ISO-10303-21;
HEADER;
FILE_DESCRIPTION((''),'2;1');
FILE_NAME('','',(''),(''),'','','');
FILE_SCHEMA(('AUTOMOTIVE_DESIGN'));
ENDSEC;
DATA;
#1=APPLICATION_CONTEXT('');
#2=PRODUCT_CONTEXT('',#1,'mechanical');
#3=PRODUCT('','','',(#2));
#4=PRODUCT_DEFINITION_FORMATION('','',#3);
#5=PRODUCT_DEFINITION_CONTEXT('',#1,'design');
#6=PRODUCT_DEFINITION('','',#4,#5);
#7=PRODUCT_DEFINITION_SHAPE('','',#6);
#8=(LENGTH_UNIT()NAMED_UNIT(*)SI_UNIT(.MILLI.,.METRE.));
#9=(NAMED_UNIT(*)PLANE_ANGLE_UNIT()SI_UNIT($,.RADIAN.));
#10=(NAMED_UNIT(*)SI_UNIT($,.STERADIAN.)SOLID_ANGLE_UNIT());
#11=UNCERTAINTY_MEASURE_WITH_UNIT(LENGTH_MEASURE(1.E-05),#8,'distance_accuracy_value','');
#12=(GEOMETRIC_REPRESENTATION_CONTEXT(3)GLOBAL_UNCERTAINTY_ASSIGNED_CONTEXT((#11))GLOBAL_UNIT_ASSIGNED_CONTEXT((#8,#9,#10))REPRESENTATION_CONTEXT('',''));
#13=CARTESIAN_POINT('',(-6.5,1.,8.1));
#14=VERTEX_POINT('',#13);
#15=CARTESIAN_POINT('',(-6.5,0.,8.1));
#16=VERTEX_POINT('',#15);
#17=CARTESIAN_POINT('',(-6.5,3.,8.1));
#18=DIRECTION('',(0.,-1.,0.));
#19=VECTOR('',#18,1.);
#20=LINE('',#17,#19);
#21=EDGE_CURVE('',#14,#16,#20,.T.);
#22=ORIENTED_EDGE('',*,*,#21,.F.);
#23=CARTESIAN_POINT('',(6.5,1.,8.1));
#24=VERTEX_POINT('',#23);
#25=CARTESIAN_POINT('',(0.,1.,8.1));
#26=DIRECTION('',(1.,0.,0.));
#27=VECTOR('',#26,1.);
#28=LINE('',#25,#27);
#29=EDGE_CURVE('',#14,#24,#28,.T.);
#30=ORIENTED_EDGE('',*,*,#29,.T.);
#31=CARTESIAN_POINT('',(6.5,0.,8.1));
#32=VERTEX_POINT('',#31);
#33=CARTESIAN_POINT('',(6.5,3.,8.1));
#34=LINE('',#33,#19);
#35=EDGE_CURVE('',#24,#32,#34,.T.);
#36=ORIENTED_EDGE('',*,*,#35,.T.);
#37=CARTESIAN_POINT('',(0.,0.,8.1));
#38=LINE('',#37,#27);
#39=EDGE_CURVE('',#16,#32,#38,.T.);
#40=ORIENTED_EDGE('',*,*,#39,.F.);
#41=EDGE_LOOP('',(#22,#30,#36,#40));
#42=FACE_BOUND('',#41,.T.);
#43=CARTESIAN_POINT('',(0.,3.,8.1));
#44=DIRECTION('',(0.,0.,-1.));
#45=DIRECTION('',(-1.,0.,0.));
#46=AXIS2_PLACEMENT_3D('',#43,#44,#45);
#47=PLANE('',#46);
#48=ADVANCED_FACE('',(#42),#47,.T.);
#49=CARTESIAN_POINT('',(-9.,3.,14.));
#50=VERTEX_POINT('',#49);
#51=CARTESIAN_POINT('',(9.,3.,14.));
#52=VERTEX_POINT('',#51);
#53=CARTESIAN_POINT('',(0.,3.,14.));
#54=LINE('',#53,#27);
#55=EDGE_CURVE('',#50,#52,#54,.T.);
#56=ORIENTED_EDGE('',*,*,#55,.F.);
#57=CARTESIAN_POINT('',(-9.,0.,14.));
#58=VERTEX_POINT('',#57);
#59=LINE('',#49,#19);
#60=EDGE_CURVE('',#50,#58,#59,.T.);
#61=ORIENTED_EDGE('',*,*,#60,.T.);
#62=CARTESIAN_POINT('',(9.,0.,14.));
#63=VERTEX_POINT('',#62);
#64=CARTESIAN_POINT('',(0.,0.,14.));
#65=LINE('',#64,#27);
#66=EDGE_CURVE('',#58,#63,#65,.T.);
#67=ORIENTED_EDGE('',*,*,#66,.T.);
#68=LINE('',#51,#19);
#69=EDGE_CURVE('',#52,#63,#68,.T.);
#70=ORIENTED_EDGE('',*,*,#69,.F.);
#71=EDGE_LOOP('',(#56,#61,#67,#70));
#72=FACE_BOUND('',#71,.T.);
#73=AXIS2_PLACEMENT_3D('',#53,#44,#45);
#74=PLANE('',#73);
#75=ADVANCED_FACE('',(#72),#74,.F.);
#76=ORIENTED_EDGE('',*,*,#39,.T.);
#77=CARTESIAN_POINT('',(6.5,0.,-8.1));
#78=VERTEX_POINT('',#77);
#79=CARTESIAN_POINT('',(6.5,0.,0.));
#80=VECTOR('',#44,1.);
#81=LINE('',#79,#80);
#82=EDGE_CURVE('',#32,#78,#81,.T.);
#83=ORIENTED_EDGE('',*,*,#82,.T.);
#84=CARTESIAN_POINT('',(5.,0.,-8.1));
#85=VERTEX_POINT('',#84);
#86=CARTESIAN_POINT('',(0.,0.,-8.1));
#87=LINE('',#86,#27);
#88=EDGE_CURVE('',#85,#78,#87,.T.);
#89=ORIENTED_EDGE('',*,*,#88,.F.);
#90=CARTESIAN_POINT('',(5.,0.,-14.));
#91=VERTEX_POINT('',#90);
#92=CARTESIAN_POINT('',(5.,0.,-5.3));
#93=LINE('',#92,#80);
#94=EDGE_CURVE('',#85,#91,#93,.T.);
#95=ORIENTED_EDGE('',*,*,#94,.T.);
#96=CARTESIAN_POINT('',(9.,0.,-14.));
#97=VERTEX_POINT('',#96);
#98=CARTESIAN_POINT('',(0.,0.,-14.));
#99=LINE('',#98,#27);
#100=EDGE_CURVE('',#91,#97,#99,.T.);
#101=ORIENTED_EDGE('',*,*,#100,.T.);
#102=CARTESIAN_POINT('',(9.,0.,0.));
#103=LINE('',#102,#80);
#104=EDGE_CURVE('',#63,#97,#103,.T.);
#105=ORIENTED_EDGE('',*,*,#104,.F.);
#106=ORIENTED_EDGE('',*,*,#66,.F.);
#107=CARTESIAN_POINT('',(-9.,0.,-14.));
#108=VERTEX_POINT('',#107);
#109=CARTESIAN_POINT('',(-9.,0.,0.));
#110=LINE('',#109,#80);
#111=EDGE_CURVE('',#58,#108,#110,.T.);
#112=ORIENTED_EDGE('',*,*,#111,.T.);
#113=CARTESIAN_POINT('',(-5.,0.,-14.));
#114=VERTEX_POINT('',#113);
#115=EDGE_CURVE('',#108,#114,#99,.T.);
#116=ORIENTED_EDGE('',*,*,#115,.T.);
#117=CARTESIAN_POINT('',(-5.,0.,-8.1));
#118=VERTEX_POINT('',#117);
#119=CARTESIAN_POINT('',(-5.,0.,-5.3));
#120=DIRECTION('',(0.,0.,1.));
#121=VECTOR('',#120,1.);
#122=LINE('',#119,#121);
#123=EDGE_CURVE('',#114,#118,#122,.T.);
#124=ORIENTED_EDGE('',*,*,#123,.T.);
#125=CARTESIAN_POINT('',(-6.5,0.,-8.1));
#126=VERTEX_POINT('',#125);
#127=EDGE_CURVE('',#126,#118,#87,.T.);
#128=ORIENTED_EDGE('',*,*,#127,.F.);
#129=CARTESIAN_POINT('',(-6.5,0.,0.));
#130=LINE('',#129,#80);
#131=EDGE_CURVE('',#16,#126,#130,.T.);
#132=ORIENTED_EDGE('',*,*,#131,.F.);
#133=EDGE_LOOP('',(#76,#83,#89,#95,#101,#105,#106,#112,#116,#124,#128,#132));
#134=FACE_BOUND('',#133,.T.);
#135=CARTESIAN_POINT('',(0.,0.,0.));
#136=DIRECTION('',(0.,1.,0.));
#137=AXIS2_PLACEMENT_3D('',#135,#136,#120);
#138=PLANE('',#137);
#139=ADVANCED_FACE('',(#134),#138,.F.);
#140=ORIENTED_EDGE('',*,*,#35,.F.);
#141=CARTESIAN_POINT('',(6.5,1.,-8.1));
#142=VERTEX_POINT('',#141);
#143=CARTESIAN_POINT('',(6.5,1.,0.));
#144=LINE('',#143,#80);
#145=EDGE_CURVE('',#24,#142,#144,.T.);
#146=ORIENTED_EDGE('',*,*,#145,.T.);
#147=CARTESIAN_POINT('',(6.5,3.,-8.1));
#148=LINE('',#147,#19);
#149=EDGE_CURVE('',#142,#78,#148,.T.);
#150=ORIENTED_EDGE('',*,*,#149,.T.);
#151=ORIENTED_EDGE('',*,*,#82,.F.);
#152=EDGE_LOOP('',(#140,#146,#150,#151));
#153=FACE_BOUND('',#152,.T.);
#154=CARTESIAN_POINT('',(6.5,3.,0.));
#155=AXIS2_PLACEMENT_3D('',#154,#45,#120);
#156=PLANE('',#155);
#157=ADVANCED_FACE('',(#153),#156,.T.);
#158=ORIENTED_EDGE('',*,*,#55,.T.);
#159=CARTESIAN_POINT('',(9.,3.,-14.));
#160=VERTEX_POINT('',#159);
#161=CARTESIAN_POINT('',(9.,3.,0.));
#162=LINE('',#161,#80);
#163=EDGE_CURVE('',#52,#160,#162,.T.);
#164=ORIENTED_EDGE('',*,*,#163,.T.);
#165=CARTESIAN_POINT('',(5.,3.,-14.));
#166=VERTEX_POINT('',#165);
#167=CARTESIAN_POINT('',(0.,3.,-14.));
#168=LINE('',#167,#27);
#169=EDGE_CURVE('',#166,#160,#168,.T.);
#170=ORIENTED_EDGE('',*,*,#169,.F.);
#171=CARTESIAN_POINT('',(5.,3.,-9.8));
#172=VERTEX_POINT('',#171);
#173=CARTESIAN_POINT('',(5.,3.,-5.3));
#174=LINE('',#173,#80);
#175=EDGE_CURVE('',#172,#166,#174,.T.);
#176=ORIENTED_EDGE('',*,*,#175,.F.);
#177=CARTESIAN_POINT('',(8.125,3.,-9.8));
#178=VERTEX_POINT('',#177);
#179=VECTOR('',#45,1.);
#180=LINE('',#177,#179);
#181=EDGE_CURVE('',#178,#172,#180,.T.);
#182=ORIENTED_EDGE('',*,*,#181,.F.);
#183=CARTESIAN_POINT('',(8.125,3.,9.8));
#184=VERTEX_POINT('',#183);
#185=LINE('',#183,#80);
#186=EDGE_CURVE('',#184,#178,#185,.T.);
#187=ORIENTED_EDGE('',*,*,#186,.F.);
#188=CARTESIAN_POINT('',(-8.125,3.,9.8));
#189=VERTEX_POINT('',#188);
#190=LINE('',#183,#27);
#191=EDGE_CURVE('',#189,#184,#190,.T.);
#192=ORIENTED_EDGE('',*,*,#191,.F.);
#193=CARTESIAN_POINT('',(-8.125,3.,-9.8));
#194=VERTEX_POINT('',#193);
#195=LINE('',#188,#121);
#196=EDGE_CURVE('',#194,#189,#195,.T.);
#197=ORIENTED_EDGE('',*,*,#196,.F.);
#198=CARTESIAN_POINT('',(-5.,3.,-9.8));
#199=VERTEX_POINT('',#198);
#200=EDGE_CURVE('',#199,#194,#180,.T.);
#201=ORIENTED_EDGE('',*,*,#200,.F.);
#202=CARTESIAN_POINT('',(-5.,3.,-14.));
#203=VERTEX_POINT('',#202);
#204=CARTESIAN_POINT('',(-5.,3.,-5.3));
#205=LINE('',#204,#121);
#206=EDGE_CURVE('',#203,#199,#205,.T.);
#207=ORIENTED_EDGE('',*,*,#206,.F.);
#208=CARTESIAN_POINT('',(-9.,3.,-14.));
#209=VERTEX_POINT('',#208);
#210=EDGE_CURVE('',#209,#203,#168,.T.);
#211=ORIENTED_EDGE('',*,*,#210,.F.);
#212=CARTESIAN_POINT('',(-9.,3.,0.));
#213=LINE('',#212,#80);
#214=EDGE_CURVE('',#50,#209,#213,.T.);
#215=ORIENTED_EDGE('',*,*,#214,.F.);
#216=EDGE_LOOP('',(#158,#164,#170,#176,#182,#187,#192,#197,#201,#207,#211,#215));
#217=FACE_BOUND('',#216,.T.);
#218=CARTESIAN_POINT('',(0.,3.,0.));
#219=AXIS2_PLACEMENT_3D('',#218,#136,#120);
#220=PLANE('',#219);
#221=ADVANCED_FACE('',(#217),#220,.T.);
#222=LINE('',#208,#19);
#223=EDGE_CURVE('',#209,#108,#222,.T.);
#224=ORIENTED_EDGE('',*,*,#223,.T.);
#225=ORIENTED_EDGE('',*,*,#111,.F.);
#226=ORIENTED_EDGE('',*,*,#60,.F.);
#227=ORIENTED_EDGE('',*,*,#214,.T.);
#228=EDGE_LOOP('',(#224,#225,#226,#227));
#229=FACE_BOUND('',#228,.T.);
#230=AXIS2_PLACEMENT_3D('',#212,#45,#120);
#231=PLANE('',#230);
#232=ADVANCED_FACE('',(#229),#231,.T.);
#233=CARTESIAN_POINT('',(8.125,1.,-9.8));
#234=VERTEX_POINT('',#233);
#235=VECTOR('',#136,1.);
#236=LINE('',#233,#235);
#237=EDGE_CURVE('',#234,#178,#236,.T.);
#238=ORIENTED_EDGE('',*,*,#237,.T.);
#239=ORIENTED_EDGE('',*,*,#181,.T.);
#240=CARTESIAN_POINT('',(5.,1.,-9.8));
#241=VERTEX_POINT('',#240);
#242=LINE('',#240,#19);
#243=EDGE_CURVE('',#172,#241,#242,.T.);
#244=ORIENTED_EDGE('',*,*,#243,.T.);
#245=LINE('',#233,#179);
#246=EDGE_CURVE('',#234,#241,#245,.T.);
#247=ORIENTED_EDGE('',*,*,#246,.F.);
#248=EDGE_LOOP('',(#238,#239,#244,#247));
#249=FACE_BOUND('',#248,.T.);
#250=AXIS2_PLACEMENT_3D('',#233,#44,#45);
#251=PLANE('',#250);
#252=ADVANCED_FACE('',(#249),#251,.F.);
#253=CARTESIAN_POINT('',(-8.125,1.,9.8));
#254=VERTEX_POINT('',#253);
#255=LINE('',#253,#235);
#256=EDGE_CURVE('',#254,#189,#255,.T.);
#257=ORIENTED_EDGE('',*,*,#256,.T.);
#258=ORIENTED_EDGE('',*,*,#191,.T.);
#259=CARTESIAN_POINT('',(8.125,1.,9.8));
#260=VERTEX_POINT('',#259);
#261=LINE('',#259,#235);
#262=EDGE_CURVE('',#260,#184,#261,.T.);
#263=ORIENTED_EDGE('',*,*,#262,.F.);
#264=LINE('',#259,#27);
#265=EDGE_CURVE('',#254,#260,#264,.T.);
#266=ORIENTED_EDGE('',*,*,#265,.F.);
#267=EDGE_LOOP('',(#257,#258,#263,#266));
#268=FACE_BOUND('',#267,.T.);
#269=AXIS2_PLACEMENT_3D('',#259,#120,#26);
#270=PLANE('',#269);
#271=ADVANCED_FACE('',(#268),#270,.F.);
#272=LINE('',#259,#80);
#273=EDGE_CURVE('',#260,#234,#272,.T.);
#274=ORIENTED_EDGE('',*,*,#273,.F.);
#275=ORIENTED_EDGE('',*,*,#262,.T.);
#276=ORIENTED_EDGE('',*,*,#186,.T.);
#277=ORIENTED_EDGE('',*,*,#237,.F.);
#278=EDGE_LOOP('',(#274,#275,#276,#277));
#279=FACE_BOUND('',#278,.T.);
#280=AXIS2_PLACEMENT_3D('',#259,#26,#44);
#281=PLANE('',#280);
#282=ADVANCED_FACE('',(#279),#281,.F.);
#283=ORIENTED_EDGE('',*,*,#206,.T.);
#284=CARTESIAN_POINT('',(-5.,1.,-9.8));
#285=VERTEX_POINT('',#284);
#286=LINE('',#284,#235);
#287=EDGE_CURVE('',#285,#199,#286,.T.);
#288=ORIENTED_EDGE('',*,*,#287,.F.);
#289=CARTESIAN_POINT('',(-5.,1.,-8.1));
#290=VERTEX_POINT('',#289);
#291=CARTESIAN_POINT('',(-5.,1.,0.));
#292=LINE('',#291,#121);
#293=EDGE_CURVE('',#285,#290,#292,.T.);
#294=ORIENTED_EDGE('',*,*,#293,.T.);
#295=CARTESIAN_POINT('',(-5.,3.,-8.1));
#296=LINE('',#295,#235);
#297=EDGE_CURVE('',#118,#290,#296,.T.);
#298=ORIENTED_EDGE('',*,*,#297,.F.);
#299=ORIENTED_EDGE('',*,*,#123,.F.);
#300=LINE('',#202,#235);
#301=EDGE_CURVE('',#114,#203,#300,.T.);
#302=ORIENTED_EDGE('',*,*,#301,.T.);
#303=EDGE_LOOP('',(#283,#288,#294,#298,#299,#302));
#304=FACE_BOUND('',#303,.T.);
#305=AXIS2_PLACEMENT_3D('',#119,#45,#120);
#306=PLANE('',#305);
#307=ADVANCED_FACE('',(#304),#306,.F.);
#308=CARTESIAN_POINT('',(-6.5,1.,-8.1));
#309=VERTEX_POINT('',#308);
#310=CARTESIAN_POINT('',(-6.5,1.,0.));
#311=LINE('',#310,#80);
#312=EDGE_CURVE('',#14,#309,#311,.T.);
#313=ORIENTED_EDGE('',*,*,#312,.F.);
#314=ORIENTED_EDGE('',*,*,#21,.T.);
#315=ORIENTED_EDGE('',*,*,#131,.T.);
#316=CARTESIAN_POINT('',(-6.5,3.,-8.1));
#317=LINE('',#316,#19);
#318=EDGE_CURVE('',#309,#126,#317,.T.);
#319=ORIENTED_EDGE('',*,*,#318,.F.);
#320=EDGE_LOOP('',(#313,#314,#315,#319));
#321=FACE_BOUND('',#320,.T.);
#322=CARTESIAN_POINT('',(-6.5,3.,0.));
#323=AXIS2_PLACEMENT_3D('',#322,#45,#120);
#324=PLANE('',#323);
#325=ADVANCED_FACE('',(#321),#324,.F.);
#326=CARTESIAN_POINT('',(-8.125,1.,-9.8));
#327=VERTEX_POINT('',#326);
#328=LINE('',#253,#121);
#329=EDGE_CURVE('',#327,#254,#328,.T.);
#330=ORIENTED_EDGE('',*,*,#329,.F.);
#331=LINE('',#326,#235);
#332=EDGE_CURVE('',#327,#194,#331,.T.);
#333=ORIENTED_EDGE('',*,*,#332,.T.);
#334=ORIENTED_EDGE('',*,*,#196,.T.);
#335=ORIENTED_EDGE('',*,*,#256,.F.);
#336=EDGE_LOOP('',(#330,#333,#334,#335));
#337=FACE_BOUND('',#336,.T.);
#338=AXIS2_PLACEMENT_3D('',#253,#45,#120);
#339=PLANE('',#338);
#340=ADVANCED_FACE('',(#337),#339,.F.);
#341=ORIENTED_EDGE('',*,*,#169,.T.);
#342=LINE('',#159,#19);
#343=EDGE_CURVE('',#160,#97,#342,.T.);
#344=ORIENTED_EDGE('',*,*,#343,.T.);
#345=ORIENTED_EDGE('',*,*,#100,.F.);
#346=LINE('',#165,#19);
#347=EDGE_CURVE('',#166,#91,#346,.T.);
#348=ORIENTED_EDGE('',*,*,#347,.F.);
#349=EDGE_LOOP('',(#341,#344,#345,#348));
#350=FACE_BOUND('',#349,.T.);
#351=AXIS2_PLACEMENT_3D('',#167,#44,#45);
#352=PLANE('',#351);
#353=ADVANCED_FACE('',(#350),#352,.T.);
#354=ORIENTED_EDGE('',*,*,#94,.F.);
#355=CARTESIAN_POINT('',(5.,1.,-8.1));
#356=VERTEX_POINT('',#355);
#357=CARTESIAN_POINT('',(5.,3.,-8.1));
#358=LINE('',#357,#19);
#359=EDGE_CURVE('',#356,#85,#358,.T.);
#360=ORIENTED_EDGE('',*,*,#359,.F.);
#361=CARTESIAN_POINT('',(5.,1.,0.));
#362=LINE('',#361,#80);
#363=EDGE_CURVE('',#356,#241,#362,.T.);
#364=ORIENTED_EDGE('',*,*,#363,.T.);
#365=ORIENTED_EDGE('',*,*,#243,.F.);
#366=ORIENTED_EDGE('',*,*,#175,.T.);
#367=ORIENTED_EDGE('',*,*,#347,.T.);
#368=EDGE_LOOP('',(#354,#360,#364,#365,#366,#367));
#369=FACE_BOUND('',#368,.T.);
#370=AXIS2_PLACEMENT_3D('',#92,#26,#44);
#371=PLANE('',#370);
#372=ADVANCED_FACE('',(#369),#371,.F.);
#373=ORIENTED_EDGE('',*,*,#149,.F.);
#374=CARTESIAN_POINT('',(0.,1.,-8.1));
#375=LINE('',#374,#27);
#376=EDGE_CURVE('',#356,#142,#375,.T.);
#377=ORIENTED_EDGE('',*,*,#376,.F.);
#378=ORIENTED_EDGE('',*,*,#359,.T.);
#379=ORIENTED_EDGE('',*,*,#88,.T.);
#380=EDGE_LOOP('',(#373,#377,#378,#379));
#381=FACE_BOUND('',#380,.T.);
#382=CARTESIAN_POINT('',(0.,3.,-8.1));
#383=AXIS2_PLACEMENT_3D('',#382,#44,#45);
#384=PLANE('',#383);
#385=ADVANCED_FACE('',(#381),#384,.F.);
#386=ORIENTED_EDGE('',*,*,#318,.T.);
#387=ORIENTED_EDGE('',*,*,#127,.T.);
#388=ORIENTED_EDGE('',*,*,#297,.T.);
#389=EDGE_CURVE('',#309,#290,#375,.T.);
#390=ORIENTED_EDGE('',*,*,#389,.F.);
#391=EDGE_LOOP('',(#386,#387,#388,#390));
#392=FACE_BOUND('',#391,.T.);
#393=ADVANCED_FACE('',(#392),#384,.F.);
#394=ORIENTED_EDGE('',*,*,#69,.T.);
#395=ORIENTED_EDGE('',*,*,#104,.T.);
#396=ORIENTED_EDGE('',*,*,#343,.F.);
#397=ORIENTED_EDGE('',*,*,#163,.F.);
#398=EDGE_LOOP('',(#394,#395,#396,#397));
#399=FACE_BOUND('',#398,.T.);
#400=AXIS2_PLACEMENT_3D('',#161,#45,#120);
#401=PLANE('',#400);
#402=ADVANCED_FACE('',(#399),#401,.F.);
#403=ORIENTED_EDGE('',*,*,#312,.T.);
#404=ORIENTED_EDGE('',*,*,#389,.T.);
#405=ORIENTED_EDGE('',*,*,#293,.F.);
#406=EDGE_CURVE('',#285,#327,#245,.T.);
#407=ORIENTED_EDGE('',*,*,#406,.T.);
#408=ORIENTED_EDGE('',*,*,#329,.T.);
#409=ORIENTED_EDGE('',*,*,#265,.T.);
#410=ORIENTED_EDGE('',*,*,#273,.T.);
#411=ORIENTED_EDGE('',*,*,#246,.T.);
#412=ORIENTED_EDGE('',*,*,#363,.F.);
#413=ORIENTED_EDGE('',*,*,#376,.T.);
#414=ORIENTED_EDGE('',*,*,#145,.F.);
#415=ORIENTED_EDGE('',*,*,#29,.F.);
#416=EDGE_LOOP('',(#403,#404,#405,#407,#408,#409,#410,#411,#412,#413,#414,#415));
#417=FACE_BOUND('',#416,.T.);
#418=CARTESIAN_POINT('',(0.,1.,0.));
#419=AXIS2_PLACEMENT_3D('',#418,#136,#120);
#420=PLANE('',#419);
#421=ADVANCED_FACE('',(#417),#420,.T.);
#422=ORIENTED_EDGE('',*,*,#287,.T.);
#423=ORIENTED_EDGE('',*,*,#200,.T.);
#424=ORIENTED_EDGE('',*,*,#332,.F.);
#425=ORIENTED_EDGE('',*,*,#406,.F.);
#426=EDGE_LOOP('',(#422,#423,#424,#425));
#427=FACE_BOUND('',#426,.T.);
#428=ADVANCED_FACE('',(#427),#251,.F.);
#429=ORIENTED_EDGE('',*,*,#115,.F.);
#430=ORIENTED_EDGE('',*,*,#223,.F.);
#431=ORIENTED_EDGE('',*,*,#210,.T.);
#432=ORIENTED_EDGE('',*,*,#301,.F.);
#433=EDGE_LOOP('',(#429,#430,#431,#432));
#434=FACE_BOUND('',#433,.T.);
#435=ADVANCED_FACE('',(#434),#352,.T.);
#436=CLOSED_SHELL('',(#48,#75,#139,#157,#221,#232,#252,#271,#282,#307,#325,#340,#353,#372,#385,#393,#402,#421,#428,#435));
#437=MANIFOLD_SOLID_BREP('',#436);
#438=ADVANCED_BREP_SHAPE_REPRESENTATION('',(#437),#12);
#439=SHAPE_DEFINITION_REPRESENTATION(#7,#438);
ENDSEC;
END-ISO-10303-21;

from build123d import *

# Parameters (mm, degrees)
SKETCH1_W           = 18
SKETCH1_H           = 28
SKETCH1_W_2         = 13
SKETCH1_H_2         = 16.2
BOSS_EXTRUDE1_DEPTH = 3
SKETCH1_3_W         = 13
SKETCH1_3_H         = 16.2
CUT_EXTRUDE1_DEPTH  = 17.911534525
SKETCH2_W           = 16.25
SKETCH2_H           = 19.6
CUT_EXTRUDE2_DEPTH  = 2
SKETCH4_W           = 10
SKETCH4_H           = 9
CUT_EXTRUDE3_DEPTH  = 17.911534525


with BuildPart() as part:
    # Sketch1 → Boss-Extrude1 (new body)
    # profile 1 of 2: a face of its own
    with BuildSketch(Plane(origin=(0, 0, 0), x_dir=(1, 0, 0), z_dir=(0, 1, 0))):
        Rectangle(SKETCH1_W, SKETCH1_H)
        Rectangle(SKETCH1_W_2, SKETCH1_H_2, mode=Mode.SUBTRACT)
    # profile 2 of 2: a face of its own
    with BuildSketch(Plane(origin=(0, 0, 0), x_dir=(1, 0, 0), z_dir=(0, 1, 0))):
        Rectangle(SKETCH1_W_2, SKETCH1_H_2)
    extrude(amount=BOSS_EXTRUDE1_DEPTH)

    # Sketch1<3> → Cut-Extrude1 (cut, through all)
    with BuildSketch(Plane(origin=(0, 0, 0), x_dir=(1, 0, 0), z_dir=(0, 1, 0))):
        Rectangle(SKETCH1_3_W, SKETCH1_3_H)
    extrude(amount=CUT_EXTRUDE1_DEPTH, mode=Mode.SUBTRACT)

    # Sketch2 → Cut-Extrude2 (cut)
    with BuildSketch(Plane(origin=(0, 3, 0), x_dir=(1, 0, 0), z_dir=(0, 1, 0))):
        Rectangle(SKETCH2_W, SKETCH2_H)
    extrude(amount=-CUT_EXTRUDE2_DEPTH, mode=Mode.SUBTRACT)

    # Sketch4 → Cut-Extrude3 (cut, through all)
    with BuildSketch(Plane(origin=(0, 3, 0), x_dir=(1, 0, 0), z_dir=(0, 1, 0))):
        with Locations((0, 9.8)):
            Rectangle(SKETCH4_W, SKETCH4_H)
    extrude(amount=-CUT_EXTRUDE3_DEPTH, mode=Mode.SUBTRACT)


solid = part.part
